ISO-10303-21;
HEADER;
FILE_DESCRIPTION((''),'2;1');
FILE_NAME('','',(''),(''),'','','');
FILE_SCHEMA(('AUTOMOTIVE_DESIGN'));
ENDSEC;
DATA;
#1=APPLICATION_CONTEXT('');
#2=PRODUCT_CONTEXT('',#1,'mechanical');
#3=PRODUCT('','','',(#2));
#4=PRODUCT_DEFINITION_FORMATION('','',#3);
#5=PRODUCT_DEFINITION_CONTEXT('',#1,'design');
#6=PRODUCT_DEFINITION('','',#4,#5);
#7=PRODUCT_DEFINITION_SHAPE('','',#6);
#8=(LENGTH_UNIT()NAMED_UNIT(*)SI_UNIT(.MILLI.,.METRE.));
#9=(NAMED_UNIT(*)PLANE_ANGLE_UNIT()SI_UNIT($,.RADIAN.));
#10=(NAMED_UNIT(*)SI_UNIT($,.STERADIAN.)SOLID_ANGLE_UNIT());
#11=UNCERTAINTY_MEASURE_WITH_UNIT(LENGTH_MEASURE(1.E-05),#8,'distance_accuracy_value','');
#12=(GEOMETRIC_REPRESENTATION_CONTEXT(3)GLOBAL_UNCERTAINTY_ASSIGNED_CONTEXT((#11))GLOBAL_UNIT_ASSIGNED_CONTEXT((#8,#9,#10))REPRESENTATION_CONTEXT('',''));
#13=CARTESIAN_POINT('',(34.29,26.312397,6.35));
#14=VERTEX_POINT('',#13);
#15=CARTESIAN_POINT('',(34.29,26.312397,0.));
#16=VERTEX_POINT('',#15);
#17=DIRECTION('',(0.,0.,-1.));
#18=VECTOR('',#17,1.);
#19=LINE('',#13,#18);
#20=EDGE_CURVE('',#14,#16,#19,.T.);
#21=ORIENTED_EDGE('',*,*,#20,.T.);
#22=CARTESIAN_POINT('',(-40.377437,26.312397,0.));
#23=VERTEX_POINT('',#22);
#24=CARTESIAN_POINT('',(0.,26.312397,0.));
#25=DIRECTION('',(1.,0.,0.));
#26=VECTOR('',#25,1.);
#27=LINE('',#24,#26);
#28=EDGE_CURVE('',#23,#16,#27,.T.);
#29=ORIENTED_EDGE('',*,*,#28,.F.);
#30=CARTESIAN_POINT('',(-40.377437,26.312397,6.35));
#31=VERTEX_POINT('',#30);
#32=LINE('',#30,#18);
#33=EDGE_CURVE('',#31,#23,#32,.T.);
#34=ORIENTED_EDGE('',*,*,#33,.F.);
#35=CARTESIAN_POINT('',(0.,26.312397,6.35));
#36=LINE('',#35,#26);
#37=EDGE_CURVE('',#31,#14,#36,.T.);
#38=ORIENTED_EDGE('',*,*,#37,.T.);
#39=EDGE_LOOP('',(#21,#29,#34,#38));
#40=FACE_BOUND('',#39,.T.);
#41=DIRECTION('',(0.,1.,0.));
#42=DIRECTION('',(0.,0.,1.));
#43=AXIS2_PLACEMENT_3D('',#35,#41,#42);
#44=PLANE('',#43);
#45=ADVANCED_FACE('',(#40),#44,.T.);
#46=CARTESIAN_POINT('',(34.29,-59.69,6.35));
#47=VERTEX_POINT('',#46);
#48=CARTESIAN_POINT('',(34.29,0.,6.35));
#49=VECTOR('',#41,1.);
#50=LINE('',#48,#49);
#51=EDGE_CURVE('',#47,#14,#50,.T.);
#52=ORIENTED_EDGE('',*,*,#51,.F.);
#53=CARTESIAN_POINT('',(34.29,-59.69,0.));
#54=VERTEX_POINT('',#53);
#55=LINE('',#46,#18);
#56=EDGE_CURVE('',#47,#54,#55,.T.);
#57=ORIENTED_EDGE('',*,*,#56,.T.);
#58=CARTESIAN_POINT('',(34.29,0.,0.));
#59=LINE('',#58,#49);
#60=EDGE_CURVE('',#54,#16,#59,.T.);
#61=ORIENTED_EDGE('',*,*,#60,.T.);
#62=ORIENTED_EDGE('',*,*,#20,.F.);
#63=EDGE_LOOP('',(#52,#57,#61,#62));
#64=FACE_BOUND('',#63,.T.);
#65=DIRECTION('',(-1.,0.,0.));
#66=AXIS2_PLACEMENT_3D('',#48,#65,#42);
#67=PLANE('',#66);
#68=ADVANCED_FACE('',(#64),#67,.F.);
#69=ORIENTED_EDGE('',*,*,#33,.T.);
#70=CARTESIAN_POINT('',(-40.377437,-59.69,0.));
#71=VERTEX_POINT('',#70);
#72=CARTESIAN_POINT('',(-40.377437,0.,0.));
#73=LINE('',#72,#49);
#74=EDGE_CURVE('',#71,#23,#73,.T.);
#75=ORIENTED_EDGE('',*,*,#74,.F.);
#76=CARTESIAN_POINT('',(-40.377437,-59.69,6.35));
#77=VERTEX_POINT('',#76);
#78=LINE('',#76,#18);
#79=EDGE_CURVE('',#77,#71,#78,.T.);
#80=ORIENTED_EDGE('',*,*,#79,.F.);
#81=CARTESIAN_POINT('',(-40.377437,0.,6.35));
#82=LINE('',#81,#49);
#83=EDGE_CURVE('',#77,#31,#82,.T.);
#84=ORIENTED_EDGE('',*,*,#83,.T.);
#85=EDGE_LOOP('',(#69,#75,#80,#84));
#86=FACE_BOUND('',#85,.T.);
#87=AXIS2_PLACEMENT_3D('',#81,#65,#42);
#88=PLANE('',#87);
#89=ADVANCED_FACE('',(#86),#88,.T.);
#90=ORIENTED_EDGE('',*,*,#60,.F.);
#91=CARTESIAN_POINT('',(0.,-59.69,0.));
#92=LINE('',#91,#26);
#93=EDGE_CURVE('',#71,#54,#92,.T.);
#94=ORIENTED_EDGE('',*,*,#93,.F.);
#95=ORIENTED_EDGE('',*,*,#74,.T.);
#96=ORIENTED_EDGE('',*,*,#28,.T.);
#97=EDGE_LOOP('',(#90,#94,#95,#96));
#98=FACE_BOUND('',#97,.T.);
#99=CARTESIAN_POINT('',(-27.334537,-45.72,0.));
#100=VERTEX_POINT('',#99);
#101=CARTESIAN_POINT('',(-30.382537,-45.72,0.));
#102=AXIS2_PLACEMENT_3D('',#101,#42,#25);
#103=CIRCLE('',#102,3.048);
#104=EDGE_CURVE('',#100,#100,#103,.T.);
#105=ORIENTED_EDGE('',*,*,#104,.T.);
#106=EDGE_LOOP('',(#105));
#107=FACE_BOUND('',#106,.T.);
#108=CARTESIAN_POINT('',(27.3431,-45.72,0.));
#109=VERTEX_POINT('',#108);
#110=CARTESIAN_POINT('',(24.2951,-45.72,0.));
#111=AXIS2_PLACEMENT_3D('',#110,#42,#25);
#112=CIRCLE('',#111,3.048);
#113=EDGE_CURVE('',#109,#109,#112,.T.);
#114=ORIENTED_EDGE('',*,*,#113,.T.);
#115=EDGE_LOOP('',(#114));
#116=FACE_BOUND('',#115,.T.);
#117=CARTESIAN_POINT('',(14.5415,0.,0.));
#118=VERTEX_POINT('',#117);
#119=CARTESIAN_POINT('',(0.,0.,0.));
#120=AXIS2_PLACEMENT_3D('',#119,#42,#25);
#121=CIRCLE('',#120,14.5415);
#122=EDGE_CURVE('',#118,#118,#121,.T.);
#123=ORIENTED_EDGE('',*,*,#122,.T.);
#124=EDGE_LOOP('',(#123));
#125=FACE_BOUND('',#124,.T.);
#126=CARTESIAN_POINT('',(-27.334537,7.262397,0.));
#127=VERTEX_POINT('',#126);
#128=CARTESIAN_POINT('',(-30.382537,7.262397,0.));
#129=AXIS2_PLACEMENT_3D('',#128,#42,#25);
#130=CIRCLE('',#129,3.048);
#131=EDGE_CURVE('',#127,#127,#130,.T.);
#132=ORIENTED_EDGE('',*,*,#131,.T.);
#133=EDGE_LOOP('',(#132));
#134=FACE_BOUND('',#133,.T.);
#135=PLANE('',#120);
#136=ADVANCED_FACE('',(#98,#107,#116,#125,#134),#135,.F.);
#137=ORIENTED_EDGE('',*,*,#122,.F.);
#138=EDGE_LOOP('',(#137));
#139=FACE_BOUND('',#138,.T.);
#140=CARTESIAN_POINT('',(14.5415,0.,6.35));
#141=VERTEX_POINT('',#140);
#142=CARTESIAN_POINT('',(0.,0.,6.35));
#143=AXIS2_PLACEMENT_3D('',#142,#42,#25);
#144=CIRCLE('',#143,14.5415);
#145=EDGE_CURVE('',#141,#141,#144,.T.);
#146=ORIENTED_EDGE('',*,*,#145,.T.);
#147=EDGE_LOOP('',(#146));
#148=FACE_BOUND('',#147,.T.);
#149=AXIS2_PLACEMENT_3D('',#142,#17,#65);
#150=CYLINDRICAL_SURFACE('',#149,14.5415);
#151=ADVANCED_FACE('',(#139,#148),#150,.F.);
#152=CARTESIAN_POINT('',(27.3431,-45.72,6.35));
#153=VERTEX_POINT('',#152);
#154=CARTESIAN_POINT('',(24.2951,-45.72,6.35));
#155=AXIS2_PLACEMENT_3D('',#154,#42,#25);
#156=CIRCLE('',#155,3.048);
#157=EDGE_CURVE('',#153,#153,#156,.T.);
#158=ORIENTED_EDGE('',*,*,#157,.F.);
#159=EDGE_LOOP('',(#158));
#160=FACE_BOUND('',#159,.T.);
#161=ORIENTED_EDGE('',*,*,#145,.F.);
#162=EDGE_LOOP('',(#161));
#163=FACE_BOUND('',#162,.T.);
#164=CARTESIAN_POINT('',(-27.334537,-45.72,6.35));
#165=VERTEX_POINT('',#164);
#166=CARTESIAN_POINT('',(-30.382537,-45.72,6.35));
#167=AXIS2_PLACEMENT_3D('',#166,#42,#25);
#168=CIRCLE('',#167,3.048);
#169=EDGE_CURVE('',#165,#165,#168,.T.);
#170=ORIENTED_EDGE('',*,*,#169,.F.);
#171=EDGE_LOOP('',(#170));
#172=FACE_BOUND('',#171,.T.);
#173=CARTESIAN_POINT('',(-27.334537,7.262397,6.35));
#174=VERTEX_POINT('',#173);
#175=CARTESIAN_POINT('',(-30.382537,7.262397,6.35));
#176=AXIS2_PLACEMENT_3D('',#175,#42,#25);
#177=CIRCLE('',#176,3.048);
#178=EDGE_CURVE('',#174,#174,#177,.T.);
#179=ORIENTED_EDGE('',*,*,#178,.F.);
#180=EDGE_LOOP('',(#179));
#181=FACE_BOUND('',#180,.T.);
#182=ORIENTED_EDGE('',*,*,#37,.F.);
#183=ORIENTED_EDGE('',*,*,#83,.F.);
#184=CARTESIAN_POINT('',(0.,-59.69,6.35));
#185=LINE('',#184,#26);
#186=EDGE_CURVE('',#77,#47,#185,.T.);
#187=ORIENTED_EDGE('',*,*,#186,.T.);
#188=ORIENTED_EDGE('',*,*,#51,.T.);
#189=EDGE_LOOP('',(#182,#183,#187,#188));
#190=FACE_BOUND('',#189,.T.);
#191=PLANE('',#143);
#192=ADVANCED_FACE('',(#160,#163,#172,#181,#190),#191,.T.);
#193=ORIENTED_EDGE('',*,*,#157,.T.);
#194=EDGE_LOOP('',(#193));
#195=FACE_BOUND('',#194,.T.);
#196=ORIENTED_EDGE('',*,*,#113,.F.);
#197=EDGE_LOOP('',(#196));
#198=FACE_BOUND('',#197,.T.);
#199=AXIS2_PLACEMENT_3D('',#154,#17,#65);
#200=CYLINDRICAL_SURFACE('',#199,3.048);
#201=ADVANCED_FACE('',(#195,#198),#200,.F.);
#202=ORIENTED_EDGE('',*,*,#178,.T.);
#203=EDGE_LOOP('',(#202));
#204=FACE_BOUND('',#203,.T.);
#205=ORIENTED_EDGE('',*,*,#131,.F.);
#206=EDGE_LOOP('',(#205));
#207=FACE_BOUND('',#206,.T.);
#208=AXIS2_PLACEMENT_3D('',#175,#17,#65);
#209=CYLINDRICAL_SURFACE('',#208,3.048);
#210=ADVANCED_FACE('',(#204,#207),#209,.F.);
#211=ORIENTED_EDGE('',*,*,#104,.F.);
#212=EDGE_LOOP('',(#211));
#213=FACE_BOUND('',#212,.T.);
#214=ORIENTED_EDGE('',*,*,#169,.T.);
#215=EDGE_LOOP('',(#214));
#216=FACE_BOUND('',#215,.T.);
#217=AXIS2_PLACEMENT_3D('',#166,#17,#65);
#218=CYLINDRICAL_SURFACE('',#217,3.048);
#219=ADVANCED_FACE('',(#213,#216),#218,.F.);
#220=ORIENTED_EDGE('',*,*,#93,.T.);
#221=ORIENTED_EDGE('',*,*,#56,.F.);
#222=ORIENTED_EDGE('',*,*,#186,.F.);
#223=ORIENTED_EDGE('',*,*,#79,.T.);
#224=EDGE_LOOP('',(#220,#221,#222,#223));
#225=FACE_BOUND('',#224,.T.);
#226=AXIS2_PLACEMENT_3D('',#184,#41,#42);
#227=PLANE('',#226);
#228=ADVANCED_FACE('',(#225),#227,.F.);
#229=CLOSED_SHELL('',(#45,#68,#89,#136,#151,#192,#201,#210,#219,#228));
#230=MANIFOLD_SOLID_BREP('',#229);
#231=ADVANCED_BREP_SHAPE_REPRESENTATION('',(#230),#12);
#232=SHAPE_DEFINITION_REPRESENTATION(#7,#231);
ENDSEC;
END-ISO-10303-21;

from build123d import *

# Parameters (mm, degrees)
SKETCH1_W           = 74.667436935
SKETCH1_H           = 86.002396902
SKETCH1_R           = 14.5415
SKETCH1_R_2         = 3.048
BOSS_EXTRUDE1_DEPTH = 6.35


with BuildPart() as part:
    # Sketch1 → Boss-Extrude1 (new body)
    with BuildSketch(Plane.XY):
        with Locations((-3.043718468, -16.688801549)):
            Rectangle(SKETCH1_W, SKETCH1_H)
        Circle(SKETCH1_R, mode=Mode.SUBTRACT)
        with Locations((-30.382536935, 7.262396902)):
            Circle(SKETCH1_R_2, mode=Mode.SUBTRACT)
        with Locations((24.2951, -45.72)):
            Circle(SKETCH1_R_2, mode=Mode.SUBTRACT)
        with Locations((-30.382536935, -45.72)):
            Circle(SKETCH1_R_2, mode=Mode.SUBTRACT)
    extrude(amount=BOSS_EXTRUDE1_DEPTH)


solid = part.part
